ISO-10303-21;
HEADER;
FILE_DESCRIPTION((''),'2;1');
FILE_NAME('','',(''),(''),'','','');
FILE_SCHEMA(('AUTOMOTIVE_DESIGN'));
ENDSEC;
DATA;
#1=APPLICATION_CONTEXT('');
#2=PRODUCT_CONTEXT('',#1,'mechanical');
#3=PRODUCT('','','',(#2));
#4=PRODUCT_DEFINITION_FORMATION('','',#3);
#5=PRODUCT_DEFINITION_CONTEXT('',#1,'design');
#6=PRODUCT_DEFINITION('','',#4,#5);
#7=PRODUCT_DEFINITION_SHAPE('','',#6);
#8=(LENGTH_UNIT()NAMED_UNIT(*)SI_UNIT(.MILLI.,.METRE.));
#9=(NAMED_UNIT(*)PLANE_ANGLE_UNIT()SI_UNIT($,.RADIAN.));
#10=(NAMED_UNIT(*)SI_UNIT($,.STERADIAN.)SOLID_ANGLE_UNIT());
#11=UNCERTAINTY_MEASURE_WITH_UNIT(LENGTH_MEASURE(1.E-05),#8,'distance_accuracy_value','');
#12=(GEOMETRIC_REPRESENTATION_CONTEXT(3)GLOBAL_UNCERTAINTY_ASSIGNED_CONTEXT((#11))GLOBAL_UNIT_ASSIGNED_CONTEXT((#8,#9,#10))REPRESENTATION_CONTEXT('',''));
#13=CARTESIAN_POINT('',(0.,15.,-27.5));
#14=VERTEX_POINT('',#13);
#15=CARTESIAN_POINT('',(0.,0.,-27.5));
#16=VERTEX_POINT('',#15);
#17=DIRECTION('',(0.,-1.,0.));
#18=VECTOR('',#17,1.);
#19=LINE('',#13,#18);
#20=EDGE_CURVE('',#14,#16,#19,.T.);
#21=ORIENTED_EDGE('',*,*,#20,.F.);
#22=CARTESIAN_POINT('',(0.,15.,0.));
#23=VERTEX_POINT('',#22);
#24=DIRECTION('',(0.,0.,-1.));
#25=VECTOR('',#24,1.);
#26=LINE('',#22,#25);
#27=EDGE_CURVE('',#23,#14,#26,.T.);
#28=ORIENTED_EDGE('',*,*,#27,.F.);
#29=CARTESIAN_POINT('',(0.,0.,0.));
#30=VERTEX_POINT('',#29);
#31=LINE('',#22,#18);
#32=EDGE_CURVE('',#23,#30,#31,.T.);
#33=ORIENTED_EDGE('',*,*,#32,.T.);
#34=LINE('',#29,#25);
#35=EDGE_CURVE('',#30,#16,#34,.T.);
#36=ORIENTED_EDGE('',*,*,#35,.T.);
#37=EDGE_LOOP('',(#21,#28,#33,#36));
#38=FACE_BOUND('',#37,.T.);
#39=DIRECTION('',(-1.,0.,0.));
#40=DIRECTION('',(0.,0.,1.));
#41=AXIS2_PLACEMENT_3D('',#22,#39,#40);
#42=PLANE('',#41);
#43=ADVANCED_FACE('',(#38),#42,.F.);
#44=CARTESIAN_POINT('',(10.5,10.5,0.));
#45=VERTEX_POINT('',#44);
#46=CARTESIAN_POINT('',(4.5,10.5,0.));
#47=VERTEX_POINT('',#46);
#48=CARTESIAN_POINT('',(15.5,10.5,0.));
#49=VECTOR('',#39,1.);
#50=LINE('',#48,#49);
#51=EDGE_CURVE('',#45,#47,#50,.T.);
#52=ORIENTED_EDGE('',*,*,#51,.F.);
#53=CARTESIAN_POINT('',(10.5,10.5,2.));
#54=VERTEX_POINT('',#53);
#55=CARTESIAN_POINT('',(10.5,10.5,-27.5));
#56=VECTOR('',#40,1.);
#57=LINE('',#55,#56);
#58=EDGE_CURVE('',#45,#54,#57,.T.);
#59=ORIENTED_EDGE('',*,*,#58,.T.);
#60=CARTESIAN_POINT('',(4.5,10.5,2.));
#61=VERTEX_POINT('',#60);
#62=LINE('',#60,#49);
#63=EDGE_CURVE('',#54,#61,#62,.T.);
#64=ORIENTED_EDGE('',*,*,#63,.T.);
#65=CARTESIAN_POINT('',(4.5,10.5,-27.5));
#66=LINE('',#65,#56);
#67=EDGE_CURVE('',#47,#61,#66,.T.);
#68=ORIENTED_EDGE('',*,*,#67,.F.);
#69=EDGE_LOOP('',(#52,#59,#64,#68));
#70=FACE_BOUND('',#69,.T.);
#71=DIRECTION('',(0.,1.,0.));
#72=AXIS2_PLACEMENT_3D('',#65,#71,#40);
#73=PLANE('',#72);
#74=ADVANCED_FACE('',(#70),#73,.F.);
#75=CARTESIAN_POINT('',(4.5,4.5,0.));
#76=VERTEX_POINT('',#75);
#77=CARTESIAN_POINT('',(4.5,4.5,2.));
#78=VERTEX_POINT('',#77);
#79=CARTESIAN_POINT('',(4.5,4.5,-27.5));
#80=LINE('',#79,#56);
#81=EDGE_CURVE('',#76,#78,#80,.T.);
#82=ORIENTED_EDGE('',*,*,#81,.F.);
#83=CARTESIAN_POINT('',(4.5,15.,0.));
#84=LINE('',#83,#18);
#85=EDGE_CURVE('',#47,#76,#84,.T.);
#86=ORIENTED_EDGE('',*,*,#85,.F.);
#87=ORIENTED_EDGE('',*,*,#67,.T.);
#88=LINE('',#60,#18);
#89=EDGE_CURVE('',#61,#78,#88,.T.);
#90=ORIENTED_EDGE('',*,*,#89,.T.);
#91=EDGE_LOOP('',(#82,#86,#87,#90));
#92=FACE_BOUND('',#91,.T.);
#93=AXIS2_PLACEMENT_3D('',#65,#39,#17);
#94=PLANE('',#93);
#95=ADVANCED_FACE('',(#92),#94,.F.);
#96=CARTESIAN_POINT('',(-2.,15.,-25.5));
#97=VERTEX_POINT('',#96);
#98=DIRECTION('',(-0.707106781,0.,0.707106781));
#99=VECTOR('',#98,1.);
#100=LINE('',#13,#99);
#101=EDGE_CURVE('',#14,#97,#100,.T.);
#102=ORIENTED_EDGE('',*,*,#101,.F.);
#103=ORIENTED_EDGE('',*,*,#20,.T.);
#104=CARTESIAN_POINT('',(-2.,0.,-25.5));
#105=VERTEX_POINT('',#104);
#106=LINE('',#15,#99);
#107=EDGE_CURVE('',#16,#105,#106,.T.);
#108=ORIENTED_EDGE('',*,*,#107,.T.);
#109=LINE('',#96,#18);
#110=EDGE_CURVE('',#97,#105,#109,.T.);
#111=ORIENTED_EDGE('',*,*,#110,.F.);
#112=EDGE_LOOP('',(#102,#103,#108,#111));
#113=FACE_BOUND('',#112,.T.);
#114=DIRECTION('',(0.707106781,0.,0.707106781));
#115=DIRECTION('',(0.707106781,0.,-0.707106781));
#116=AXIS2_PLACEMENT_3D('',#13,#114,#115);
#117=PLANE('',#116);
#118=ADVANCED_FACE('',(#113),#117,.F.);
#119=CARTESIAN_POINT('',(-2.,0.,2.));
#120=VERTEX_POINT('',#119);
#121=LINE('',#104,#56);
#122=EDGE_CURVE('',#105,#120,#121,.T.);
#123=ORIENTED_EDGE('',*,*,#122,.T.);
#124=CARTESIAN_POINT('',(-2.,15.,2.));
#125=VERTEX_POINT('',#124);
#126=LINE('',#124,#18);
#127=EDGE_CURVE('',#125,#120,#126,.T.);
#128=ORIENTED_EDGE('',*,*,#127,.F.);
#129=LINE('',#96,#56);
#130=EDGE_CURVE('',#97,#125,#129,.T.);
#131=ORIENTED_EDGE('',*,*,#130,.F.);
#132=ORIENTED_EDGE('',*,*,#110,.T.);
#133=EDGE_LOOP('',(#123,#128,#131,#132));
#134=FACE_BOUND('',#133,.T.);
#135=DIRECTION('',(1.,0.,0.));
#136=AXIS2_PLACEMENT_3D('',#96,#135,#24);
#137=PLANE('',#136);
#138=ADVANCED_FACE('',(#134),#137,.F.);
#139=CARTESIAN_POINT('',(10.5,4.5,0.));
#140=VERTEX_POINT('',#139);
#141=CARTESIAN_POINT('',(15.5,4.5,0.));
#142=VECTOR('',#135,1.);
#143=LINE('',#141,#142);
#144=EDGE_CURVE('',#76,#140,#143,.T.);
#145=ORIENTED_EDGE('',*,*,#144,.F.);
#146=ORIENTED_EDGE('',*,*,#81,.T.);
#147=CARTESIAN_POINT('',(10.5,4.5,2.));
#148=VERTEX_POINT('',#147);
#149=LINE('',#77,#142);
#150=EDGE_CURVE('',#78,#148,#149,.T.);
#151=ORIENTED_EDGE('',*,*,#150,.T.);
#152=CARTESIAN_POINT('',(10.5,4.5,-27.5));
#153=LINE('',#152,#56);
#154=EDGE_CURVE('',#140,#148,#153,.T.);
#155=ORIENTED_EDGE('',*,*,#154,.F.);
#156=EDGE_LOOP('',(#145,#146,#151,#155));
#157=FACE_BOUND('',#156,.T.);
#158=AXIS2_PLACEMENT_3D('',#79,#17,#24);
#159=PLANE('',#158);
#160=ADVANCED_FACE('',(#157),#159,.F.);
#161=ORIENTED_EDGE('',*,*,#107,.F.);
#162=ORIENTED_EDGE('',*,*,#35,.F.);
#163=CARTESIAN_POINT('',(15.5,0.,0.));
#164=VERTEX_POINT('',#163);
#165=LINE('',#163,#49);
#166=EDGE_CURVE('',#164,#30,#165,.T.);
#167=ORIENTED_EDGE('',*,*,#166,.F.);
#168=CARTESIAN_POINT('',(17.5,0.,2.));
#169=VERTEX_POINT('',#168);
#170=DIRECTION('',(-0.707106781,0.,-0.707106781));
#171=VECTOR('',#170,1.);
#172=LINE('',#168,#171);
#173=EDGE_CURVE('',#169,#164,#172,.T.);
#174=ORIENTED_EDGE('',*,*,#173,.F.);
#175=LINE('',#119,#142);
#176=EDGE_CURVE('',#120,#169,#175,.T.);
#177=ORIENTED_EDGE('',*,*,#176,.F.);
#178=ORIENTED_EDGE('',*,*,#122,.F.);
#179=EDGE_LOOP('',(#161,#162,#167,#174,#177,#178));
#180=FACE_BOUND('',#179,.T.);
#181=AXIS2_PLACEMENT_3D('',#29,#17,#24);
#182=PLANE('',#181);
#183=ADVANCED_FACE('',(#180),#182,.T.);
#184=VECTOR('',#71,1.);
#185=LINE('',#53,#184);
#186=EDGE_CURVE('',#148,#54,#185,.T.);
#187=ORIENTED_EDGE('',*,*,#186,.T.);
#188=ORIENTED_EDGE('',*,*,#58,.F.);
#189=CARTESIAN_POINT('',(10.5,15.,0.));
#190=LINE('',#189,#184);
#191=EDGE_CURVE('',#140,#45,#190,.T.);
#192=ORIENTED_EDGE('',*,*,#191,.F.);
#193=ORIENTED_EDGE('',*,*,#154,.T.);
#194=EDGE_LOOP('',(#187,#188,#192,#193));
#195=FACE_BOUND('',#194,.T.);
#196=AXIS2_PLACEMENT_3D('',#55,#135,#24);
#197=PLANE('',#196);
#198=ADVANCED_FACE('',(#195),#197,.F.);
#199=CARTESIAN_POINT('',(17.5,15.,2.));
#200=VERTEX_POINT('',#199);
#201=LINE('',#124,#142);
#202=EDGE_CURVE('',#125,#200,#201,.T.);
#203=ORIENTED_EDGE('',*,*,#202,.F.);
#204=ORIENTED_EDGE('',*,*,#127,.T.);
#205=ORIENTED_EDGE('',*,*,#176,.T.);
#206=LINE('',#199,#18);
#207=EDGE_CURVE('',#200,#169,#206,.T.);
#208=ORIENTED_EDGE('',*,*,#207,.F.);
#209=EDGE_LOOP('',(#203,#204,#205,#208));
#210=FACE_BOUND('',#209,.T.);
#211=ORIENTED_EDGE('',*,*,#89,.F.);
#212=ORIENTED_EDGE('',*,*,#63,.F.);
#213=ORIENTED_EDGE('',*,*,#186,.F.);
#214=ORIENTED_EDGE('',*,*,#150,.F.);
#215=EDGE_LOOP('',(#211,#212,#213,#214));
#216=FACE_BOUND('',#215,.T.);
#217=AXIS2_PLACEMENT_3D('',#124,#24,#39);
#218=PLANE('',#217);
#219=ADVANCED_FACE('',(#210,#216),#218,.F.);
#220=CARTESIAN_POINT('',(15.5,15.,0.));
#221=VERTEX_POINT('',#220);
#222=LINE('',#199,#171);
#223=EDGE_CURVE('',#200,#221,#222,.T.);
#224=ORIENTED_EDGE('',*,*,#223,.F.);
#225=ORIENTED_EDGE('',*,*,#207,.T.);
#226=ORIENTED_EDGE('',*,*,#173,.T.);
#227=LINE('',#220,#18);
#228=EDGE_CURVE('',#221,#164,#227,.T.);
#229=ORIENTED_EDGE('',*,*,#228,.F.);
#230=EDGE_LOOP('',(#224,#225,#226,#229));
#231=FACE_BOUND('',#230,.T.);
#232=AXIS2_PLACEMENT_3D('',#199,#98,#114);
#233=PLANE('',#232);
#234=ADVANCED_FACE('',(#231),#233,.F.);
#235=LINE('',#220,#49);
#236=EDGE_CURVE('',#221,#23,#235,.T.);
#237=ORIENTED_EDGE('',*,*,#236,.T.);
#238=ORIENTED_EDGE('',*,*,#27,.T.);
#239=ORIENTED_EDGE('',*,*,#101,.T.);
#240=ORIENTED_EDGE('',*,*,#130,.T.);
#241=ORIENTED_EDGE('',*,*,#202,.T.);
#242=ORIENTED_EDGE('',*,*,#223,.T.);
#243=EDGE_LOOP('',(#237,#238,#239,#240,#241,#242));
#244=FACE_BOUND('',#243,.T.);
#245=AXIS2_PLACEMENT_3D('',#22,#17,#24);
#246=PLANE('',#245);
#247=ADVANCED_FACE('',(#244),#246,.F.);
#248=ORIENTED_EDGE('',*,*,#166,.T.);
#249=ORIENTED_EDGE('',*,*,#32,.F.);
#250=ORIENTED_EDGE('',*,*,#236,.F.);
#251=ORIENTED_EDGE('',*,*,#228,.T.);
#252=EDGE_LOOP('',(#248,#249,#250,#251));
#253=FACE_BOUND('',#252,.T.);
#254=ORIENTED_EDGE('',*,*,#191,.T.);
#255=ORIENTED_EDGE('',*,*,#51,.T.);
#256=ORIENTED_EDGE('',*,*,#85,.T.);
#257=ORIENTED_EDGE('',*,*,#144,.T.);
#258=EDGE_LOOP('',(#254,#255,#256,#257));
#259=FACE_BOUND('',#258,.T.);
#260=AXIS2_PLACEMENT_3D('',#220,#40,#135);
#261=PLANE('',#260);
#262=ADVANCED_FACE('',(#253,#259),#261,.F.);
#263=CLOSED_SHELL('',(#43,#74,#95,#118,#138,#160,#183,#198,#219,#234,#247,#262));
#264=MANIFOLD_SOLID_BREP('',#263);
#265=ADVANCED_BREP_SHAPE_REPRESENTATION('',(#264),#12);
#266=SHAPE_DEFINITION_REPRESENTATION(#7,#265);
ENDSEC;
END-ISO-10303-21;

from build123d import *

# Parameters (mm, degrees)
EXTRUDE_1_DEPTH     = 15
SKETCH_2_W          = 6
SKETCH_2_H          = 6
CUT_EXTRUDE_1_DEPTH = 38.436613095


with BuildPart() as part:
    # Эскиз1 → Бобышка-Вытянуть1 (new body)
    with BuildSketch(Plane(origin=(0, 0, 0), x_dir=(1, 0, 0), z_dir=(0, 1, 0))):
        Polygon((-2, 25.5), (-2, -2), (17.5, -2), (15.5, 0), (0, 0), (0, 27.5), align=None)
    extrude(amount=EXTRUDE_1_DEPTH)

    # Эскиз2 → Вырез-Вытянуть1 (cut, through all)
    with BuildSketch(Plane.XY.offset(2)):
        with Locations((7.5, 7.5)):
            Rectangle(SKETCH_2_W, SKETCH_2_H)
    extrude(amount=-CUT_EXTRUDE_1_DEPTH, mode=Mode.SUBTRACT)


solid = part.part
